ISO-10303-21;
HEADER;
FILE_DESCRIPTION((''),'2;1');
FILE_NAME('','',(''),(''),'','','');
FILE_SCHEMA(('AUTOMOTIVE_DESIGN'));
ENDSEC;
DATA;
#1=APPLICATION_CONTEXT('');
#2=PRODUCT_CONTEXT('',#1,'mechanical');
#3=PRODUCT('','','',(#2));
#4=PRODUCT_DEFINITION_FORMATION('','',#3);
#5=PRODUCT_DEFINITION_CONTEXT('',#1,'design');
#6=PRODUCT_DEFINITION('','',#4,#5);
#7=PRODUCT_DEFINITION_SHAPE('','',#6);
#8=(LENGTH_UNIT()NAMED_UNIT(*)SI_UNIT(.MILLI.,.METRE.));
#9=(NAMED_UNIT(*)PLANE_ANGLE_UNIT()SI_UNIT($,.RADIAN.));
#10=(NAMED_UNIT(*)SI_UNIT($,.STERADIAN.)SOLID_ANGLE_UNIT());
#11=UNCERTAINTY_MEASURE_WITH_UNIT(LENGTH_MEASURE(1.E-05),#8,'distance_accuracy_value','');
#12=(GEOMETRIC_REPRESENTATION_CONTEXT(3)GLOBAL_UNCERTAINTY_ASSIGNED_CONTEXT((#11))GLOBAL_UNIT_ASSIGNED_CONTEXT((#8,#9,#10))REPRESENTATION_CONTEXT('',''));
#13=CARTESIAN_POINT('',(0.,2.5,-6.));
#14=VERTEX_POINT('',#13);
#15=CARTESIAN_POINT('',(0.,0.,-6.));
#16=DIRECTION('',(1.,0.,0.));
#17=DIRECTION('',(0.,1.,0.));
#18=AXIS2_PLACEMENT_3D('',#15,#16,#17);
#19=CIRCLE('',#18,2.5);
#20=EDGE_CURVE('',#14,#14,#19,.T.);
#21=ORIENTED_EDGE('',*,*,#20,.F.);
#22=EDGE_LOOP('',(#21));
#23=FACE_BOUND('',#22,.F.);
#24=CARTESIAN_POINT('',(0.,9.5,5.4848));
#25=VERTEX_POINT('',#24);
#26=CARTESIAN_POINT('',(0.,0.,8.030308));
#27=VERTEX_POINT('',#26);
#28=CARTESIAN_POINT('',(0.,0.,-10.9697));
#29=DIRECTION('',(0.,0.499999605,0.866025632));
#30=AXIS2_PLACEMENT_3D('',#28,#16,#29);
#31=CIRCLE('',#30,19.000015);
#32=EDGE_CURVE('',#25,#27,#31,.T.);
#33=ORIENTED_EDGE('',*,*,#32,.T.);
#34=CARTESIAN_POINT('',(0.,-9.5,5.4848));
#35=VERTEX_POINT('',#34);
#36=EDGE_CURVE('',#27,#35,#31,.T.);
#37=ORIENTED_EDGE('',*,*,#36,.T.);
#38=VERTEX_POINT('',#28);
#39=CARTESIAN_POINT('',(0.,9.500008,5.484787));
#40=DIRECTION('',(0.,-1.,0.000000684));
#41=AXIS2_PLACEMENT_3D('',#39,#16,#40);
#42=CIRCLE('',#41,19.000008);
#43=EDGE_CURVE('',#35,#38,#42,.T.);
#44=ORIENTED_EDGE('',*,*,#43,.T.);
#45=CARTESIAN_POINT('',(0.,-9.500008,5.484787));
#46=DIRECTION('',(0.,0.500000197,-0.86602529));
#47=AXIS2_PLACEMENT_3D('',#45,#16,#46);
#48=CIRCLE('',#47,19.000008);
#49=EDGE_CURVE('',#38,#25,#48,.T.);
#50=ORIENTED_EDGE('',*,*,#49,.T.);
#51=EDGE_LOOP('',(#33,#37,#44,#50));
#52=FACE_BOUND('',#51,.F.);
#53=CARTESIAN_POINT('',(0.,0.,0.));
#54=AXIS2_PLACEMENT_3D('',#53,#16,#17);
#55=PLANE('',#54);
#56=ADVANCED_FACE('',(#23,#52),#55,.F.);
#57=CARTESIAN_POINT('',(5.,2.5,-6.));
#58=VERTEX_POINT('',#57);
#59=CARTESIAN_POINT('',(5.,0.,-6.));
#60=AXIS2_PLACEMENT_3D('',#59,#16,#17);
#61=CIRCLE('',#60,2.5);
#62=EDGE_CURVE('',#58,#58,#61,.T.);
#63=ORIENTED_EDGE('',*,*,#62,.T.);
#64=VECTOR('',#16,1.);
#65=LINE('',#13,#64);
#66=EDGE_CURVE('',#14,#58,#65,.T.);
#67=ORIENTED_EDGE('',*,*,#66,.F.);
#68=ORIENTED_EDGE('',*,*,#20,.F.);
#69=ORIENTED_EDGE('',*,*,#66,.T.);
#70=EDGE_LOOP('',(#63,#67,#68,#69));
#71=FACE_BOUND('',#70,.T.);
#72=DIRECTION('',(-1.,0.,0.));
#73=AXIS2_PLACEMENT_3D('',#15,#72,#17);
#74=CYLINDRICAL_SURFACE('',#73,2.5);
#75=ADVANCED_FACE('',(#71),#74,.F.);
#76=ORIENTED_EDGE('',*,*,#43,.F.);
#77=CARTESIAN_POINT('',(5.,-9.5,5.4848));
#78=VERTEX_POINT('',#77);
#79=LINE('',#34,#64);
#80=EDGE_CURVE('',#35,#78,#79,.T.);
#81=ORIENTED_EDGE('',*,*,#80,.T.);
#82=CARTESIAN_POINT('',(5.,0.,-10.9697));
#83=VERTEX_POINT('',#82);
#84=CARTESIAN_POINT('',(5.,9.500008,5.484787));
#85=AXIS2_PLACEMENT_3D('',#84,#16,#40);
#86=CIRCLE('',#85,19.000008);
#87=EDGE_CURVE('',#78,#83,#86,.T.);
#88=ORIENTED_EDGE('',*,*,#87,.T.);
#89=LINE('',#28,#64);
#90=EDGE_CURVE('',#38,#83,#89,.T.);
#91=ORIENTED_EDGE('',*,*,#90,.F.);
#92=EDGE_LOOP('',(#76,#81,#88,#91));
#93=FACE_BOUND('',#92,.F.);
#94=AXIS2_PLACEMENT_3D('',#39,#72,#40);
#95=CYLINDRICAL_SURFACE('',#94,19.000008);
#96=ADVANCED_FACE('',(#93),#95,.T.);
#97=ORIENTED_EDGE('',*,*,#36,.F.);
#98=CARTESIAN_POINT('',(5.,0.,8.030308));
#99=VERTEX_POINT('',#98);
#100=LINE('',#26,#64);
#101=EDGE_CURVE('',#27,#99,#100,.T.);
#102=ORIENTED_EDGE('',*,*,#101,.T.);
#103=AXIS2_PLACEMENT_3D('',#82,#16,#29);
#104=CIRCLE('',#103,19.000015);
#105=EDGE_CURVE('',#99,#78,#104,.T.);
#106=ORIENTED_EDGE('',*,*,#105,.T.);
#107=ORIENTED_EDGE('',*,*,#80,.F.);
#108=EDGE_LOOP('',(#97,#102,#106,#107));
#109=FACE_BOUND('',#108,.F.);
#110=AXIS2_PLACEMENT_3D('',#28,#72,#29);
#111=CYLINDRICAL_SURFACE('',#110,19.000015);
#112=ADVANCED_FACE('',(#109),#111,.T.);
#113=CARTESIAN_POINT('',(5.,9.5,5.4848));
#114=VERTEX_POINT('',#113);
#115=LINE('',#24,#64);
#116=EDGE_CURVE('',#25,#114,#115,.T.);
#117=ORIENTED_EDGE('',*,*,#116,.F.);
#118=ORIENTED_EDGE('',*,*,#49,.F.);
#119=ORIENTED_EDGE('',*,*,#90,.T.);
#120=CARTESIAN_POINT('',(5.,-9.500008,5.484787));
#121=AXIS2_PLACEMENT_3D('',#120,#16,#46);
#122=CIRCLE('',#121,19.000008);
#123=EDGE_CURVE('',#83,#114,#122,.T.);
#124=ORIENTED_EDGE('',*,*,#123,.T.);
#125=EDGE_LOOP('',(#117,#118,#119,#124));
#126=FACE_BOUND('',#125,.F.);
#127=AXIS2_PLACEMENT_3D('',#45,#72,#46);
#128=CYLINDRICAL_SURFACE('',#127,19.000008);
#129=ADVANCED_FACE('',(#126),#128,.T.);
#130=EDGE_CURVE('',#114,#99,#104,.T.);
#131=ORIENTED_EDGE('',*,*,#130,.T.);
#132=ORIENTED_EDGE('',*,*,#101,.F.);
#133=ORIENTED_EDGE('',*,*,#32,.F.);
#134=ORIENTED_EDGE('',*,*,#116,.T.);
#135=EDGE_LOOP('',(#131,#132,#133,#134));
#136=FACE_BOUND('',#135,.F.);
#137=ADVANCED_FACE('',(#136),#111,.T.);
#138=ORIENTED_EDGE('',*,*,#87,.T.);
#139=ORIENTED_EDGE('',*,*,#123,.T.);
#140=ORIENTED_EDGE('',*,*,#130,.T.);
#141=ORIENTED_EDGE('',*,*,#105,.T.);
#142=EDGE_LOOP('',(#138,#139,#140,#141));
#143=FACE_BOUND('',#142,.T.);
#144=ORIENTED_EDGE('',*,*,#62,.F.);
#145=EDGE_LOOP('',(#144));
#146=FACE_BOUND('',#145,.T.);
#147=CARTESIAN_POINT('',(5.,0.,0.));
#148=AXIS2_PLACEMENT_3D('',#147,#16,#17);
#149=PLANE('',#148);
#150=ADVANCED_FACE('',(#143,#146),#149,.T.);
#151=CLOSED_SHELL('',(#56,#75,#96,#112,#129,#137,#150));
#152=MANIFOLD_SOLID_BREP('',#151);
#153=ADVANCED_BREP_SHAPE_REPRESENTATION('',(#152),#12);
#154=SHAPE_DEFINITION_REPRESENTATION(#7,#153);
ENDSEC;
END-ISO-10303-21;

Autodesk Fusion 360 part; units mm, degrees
sketch "Excentric Triunghiular Ruleaux + Frame-ul cadrului culisant" plane through (0, 0, 0) normal (1, 0, 0) x (0, 1, 0)
  line L0 (-9.5, 5.4848) -> (0, -10.9697) construction
  line L1 (0, -10.9697) -> (9.5, 5.4848) construction
  line L2 (9.5, 5.4848) -> (-9.5, 5.4848) construction
  arc A0 (0, -10.9697) -> (9.5, 5.4848) centre (-9.5, 5.4848) ccw
  arc A1 (-9.5, 5.4848) -> (0, -10.9697) centre (9.5, 5.4848) ccw
  arc A2 (9.5, 5.4848) -> (-9.5, 5.4848) centre (0, -10.9697) ccw
  circle A3 centre (0, -6) radius 2.5
  line L3 (-17.5, 8.0303) -> (17.5, 8.0303)
  line L4 (17.5, 8.0303) -> (17.5, -10.9697)
  line L5 (17.5, -10.9697) -> (-17.5, -10.9697)
  line L6 (-17.5, -10.9697) -> (-17.5, 8.0303)
  line L7 (0, 8.0303) -> (0, -10.9697) construction
  line L8 (20, -13.4697) -> (-20, -13.4697)
  line L9 (-20, -13.4697) -> (-20, 10.5303)
  line L10 (-20, 10.5303) -> (20, 10.5303)
  line L11 (20, 10.5303) -> (20, -13.4697)
  line L12 (17.5, -1.4697) -> (0, -1.4697) construction
  dimension "d4" = 19
  dimension "d5" = 5
  dimension "d6" = 35
  dimension "d7" = 19
  dimension "d8" = 6
  dimension "d9" = 17.5
  dimension "d10" = -2.5
extrude "Extrude1" add sketch "Excentric Triunghiular Ruleaux + Frame-ul cadrului culisant" along normal blind 5 contours A0 A1 A2
equation "d9 = ( 35 / 2 ) * 1 mm"
